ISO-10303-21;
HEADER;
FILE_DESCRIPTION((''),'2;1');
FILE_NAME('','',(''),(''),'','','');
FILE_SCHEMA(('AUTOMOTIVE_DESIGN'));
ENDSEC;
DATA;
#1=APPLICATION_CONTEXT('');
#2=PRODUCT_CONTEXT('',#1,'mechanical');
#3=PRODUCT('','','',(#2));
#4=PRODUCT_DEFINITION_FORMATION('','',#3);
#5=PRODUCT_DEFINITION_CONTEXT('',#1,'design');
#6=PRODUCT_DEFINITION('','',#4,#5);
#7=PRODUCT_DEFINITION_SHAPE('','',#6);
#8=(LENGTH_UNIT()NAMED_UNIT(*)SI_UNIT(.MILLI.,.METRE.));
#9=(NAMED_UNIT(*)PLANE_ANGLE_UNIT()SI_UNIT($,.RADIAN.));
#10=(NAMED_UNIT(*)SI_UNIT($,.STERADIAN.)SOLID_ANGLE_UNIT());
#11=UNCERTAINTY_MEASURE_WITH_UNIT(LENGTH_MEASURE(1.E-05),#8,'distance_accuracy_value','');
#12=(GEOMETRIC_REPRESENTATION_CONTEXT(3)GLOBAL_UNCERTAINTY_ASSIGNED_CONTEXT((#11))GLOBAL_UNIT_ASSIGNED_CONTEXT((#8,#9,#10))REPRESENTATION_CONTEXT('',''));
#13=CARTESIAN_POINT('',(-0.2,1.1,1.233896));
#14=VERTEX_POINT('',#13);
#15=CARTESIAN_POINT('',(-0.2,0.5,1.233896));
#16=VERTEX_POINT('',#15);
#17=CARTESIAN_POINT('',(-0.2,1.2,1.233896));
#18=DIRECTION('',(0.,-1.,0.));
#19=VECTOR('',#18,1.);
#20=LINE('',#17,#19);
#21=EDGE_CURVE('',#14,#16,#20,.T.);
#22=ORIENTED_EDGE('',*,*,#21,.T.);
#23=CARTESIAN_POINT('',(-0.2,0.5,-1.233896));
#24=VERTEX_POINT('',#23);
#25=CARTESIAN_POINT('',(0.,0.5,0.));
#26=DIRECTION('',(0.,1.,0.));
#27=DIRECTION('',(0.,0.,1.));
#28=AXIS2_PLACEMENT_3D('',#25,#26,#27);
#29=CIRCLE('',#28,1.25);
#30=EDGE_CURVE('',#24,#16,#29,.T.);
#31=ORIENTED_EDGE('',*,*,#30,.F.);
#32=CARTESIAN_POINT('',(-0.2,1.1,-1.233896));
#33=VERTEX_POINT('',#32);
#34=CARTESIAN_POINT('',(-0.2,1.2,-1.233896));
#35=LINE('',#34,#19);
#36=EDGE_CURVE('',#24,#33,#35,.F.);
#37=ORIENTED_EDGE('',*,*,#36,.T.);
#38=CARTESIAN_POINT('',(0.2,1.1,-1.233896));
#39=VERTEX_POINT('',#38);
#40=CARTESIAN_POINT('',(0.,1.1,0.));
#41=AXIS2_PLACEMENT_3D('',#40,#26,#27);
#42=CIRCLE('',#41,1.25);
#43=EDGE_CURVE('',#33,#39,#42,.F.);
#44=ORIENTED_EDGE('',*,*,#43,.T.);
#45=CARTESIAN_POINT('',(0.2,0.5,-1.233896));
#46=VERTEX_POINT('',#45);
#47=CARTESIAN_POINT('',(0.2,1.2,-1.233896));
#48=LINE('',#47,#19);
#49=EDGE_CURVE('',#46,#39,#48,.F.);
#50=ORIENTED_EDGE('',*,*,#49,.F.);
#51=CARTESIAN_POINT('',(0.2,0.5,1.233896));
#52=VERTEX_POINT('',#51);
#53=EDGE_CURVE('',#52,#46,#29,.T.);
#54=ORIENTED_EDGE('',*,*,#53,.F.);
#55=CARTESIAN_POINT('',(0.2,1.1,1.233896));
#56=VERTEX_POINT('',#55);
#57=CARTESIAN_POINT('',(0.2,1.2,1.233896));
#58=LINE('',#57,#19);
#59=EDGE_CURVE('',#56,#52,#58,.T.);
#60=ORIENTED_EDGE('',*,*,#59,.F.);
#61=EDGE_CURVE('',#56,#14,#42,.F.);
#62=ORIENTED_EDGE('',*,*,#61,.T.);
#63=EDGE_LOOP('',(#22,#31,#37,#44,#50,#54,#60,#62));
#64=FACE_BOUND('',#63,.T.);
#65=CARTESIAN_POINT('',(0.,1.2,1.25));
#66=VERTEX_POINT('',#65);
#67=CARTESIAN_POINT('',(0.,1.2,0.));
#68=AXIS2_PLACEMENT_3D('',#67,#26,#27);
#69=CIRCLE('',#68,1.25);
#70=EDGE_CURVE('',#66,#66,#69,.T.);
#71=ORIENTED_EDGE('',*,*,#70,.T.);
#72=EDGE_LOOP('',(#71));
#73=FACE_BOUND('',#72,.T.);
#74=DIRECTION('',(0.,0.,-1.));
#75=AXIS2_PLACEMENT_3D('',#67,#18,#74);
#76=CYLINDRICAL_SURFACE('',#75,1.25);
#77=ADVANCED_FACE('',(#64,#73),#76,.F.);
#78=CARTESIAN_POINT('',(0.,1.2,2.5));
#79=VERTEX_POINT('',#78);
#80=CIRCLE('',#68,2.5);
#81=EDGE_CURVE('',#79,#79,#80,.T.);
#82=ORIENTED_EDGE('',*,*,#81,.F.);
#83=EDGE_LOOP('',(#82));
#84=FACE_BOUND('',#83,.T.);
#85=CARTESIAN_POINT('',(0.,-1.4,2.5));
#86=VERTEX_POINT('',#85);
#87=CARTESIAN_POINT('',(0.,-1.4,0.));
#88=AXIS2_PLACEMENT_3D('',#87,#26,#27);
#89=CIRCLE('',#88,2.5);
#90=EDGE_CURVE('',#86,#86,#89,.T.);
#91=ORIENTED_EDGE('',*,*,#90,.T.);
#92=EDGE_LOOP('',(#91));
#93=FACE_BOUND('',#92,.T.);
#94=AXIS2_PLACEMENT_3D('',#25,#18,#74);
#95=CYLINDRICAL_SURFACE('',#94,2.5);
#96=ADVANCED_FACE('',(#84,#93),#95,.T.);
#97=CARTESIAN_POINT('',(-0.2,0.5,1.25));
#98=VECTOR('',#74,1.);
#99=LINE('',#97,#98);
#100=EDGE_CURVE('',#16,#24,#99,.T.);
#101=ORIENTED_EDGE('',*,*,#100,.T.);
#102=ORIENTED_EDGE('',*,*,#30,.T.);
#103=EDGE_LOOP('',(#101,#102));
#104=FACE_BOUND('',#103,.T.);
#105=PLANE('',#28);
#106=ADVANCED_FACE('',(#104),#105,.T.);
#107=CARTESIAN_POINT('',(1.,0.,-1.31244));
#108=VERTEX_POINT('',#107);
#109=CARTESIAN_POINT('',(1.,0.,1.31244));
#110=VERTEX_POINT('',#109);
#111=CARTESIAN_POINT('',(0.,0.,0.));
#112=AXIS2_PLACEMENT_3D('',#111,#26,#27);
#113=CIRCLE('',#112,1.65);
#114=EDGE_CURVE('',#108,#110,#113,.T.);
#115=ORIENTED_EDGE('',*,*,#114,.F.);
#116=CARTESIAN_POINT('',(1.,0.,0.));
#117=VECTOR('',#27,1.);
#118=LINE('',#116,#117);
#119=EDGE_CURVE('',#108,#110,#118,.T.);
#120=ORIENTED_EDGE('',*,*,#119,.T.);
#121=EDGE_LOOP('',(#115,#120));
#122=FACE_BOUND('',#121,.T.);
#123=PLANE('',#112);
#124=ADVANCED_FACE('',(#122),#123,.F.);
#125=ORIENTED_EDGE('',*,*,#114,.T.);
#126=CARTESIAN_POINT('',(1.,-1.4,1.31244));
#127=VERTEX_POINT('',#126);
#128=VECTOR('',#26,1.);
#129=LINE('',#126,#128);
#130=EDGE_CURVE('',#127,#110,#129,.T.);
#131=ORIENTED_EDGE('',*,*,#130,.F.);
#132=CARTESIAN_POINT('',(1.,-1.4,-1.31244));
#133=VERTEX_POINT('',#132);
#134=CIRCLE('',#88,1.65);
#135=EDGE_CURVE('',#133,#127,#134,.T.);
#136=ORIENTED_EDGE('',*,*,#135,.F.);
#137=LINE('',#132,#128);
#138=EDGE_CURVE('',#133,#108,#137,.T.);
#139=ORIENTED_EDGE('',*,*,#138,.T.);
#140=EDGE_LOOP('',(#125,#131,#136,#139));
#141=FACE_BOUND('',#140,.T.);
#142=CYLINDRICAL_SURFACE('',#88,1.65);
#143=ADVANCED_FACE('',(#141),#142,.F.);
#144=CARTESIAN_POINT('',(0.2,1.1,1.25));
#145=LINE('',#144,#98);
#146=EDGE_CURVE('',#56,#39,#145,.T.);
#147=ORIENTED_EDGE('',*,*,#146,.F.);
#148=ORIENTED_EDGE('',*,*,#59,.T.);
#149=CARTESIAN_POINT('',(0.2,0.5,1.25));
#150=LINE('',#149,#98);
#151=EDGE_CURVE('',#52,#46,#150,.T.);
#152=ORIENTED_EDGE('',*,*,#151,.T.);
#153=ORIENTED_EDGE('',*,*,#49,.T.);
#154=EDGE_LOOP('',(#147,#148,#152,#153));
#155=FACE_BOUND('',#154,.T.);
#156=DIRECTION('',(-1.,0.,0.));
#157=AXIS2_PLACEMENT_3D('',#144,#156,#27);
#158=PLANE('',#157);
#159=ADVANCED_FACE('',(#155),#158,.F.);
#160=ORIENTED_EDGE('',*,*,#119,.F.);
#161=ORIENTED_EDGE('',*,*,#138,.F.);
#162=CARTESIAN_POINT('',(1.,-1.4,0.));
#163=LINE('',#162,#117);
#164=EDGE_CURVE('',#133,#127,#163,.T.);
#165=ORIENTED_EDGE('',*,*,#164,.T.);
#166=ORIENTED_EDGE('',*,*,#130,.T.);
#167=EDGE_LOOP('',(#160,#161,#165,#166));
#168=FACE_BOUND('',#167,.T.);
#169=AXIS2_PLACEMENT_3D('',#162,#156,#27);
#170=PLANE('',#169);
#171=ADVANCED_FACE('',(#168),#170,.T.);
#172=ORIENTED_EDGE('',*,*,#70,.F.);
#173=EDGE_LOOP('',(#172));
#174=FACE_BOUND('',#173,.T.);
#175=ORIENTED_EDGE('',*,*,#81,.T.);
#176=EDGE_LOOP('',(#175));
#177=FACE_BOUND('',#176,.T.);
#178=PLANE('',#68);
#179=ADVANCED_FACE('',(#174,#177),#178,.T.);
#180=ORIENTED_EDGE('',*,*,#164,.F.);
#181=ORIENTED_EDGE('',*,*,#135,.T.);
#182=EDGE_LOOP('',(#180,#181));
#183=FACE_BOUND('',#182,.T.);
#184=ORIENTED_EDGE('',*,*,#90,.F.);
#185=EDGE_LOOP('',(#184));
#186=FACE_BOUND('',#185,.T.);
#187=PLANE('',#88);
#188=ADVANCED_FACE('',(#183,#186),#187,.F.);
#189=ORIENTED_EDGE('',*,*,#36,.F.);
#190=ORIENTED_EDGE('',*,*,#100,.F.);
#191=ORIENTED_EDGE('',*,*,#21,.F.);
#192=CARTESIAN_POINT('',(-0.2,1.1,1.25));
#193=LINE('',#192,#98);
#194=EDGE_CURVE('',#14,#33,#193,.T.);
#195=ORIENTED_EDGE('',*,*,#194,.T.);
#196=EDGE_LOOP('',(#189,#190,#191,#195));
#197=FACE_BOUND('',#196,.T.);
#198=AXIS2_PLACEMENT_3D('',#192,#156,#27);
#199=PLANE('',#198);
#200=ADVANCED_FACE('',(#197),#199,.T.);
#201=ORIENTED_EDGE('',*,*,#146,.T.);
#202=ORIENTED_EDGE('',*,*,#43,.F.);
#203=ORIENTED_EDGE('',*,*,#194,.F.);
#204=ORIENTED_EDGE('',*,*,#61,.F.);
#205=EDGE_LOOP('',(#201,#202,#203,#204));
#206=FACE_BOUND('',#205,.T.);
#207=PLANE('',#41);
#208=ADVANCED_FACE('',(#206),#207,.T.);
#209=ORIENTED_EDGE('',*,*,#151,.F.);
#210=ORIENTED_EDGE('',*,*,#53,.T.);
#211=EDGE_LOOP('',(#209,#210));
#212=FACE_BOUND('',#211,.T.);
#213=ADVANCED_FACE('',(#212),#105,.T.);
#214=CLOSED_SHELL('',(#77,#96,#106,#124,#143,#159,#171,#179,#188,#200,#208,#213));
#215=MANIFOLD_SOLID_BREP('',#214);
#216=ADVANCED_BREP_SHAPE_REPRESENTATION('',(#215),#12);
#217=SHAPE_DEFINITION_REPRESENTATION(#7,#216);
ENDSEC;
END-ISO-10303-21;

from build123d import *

# Parameters (mm, degrees)
SKETCH_1_R      = 2.5
EXTRUDE_1_DEPTH = 0.5
EXTRUDE_START   = -1.4
SKETCH_1_3_R    = 2.5
EXTRUDE_2_DEPTH = 1.4
SKETCH_2_W      = 0.4
SKETCH_2_H      = 2.5
EXTRUDE_3_DEPTH = 0.6
SKETCH_2_3_R    = 2.5
SKETCH_2_3_R_2  = 1.25
EXTRUDE_4_DEPTH = 0.7


with BuildPart() as part:
    # 草图1 → 凸台-拉伸1 (new body)
    with BuildSketch(Plane(origin=(0, 0, 0), x_dir=(1, 0, 0), z_dir=(0, 1, 0))):
        Circle(SKETCH_1_R)
    extrude(amount=EXTRUDE_1_DEPTH)

    # 草图1<3> → 凸台-拉伸2 (add)
    with BuildSketch(Plane(origin=(0, 0, 0), x_dir=(1, 0, 0), z_dir=(0, 1, 0)).offset(EXTRUDE_START)):
        Circle(SKETCH_1_3_R)
        with BuildLine():
            Line((1, 1.312440475), (1, -1.312440475))
            ThreePointArc((1, -1.312440475), (-1.65, 0), (1, 1.312440475))
        make_face(mode=Mode.SUBTRACT)
    extrude(amount=EXTRUDE_2_DEPTH)

    # 草图2 → 凸台-拉伸3 (add)
    with BuildSketch(Plane(origin=(0, 0.5, 0), x_dir=(1, 0, 0), z_dir=(0, 1, 0))):
        Rectangle(SKETCH_2_W, SKETCH_2_H)
    extrude(amount=EXTRUDE_3_DEPTH)

    # 草图2<3> → 凸台-拉伸4 (add)
    with BuildSketch(Plane(origin=(0, 0.5, 0), x_dir=(1, 0, 0), z_dir=(0, 1, 0))):
        Circle(SKETCH_2_3_R)
        Circle(SKETCH_2_3_R_2, mode=Mode.SUBTRACT)
    extrude(amount=EXTRUDE_4_DEPTH)


solid = part.part
